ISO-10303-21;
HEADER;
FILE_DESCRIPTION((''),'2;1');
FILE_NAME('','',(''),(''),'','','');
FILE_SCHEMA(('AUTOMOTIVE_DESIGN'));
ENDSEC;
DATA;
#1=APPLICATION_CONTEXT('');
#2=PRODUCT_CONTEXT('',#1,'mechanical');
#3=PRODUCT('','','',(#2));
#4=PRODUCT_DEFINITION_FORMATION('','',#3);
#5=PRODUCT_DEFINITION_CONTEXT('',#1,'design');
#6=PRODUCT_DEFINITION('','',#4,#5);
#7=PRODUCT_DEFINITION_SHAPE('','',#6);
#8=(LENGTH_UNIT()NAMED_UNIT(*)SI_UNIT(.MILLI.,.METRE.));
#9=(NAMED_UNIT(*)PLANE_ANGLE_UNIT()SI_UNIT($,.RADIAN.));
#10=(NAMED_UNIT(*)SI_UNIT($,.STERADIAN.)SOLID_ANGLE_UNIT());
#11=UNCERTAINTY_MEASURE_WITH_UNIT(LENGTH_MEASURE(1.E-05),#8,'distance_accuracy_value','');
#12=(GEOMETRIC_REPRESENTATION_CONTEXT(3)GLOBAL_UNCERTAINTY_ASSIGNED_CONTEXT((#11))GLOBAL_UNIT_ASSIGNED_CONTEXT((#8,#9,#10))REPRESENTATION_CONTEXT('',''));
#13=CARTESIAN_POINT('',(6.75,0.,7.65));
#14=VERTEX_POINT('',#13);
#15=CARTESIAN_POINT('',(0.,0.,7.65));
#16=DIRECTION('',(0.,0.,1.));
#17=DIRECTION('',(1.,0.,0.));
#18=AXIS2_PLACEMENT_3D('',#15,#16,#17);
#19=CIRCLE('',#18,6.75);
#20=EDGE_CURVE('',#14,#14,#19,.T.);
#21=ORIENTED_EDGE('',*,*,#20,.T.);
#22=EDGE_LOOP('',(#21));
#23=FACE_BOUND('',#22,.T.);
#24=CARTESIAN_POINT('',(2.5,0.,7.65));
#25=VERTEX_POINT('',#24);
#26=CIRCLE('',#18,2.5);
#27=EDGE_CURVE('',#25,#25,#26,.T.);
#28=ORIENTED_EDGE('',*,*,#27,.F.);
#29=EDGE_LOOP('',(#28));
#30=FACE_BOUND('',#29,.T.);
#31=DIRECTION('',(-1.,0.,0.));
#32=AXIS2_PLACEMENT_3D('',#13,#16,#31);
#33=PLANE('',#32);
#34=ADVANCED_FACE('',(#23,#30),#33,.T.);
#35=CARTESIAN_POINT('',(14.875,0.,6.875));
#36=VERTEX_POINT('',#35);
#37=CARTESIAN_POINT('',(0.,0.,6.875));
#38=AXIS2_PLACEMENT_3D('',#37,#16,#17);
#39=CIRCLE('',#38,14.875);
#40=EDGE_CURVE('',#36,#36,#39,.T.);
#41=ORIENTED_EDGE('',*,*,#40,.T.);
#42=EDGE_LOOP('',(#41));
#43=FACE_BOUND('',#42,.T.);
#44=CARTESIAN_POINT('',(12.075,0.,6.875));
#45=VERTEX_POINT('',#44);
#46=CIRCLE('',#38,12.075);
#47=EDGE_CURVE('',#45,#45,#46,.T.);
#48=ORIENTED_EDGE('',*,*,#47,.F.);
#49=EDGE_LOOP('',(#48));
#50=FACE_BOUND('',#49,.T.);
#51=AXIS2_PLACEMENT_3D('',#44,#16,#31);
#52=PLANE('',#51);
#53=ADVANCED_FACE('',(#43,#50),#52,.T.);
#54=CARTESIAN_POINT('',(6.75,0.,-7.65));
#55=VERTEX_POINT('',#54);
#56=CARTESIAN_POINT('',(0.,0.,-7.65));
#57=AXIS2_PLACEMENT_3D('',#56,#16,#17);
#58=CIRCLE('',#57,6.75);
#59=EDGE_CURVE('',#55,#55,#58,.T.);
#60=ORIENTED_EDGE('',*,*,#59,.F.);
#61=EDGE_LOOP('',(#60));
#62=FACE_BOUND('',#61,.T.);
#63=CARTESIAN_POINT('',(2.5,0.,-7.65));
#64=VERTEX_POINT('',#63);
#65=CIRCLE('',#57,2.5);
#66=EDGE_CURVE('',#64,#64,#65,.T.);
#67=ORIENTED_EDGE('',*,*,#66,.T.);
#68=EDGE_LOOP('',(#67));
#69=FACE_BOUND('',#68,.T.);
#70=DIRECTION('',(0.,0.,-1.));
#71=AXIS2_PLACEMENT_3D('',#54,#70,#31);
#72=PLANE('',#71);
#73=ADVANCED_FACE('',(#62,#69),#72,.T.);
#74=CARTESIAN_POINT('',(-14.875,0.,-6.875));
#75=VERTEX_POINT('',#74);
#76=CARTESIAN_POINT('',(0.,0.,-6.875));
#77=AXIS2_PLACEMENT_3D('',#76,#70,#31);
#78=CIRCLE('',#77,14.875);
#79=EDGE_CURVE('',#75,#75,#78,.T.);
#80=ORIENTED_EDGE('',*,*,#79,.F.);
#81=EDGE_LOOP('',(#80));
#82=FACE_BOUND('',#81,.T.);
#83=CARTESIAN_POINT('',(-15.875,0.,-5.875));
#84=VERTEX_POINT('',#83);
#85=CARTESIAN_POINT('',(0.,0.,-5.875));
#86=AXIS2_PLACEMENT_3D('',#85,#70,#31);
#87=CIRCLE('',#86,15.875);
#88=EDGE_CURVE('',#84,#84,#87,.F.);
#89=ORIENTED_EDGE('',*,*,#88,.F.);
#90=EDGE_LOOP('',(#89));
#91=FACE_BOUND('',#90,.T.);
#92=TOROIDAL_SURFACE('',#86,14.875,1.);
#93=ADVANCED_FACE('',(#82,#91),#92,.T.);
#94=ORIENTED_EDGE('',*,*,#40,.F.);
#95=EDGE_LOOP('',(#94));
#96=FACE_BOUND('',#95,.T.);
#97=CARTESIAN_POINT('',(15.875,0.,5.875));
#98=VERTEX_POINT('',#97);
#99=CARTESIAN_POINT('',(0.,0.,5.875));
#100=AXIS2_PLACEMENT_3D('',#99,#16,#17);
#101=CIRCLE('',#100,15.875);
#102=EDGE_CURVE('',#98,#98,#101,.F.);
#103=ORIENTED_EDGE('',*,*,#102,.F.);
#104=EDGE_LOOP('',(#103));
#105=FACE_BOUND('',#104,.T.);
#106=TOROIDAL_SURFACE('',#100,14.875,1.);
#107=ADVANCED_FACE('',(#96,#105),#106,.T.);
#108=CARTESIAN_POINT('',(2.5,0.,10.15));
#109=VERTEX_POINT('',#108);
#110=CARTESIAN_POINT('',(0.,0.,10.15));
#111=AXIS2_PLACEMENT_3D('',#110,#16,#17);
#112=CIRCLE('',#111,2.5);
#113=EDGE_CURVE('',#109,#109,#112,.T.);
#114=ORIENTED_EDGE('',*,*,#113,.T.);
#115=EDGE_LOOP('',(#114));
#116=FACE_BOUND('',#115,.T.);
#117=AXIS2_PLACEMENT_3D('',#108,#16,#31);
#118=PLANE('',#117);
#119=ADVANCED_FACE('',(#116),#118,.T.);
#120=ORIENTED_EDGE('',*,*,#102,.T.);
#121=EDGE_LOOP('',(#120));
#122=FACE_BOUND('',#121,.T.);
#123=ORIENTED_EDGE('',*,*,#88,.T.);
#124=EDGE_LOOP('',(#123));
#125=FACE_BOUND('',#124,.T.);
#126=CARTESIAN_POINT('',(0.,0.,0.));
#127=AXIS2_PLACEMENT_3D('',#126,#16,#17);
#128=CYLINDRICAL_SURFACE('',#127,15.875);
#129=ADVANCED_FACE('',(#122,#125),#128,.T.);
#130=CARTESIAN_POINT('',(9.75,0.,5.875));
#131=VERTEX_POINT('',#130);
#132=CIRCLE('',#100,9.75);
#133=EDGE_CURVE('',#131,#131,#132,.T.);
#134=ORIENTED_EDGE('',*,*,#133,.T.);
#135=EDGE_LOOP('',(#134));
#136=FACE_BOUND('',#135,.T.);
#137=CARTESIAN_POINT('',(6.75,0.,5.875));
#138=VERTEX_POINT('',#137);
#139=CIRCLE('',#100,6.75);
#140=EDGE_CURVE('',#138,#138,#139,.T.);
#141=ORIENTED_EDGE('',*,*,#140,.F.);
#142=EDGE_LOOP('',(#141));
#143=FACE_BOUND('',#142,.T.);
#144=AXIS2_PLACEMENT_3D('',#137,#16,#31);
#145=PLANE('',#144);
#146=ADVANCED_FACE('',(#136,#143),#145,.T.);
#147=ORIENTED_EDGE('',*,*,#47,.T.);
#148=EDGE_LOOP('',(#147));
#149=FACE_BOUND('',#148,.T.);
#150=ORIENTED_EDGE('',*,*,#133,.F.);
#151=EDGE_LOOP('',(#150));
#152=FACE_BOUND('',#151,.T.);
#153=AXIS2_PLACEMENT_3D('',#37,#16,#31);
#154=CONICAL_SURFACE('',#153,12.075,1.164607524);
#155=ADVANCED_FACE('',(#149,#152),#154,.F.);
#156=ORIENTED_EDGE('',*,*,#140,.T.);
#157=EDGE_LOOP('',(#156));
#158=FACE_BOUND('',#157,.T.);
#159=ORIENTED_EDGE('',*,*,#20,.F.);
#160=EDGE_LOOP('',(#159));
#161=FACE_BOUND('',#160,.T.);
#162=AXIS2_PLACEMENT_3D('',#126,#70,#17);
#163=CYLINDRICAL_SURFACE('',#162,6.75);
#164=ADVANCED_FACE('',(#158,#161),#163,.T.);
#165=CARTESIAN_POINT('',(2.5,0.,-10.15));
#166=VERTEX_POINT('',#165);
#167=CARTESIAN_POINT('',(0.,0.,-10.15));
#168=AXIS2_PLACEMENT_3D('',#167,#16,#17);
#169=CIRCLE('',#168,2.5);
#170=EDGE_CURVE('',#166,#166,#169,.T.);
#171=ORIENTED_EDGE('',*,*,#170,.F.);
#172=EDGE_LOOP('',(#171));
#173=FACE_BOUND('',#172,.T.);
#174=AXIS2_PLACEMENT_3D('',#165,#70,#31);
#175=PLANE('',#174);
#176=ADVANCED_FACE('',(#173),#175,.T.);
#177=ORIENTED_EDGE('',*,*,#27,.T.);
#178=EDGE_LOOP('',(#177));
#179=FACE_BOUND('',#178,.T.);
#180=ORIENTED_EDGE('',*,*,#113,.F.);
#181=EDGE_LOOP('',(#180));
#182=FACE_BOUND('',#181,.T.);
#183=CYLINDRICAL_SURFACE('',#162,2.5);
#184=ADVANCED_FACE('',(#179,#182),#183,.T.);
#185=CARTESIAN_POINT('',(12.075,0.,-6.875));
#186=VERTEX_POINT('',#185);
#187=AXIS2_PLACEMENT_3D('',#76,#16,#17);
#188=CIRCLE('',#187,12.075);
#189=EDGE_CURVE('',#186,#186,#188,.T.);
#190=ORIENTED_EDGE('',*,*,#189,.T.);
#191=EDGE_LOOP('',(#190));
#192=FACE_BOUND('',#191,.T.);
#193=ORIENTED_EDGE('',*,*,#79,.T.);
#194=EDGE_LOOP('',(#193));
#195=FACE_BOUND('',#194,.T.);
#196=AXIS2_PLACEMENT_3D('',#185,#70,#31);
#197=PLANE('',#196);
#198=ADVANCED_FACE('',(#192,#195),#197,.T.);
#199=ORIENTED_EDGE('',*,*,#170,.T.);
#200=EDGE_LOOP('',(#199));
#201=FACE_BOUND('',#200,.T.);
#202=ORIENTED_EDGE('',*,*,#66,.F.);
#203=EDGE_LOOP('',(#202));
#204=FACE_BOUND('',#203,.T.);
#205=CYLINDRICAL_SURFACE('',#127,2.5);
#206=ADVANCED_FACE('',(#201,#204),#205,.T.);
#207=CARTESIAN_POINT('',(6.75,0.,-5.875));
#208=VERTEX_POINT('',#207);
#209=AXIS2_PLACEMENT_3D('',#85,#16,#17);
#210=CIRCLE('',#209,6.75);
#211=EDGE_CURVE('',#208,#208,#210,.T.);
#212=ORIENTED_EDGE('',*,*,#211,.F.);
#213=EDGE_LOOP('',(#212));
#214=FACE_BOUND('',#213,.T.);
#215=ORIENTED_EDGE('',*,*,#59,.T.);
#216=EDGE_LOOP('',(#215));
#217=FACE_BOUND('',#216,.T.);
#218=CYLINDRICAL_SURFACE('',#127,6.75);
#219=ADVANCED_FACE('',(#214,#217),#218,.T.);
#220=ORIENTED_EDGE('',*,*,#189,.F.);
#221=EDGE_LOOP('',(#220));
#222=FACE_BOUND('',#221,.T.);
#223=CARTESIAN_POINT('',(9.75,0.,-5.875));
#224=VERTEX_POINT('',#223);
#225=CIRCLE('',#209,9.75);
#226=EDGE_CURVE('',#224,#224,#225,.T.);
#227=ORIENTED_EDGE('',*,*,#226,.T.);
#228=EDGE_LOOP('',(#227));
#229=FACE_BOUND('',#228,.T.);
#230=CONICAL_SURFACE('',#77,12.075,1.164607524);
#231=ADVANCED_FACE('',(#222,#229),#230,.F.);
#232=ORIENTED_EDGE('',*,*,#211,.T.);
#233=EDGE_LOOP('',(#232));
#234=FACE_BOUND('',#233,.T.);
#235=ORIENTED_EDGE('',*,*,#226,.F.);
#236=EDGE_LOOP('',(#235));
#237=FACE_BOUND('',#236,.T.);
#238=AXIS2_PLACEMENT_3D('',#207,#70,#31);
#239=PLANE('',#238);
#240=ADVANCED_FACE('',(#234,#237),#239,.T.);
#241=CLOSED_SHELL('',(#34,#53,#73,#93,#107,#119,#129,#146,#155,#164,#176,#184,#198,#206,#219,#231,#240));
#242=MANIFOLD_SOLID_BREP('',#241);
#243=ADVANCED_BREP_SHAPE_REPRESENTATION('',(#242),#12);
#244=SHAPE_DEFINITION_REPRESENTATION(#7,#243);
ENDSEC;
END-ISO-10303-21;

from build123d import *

# Parameters (mm, degrees)
FILLET1_R = 1


with BuildPart() as part:
    # Sketch3 → Revolve1 (revolve)
    with BuildSketch(Plane(origin=(0, 0, 0), x_dir=(1, 0, 0), z_dir=(0, 1, 0))):
        Polygon((6.75, 7.65), (6.75, 5.875), (9.75, 5.875), (12.075, 6.875), (15.875, 6.875), (15.875, 0), (0, 0), (0, 10.15), (2.5, 10.15), (2.5, 7.65), align=None)
    revolve1 = revolve(axis=Axis((0, 0, 0), (0, 0, -1)))

    # Mirror1: Revolve1 across plane
    add(revolve1.mirror(Plane.XY))

    # Fillet1
    fillet1_edges = [part.edges().sort_by_distance(p)[0] for p in [
        (-15.875, 0, 6.875),
        (-15.875, 0, -6.875),
    ]]
    fillet(fillet1_edges, radius=FILLET1_R)


solid = part.part
